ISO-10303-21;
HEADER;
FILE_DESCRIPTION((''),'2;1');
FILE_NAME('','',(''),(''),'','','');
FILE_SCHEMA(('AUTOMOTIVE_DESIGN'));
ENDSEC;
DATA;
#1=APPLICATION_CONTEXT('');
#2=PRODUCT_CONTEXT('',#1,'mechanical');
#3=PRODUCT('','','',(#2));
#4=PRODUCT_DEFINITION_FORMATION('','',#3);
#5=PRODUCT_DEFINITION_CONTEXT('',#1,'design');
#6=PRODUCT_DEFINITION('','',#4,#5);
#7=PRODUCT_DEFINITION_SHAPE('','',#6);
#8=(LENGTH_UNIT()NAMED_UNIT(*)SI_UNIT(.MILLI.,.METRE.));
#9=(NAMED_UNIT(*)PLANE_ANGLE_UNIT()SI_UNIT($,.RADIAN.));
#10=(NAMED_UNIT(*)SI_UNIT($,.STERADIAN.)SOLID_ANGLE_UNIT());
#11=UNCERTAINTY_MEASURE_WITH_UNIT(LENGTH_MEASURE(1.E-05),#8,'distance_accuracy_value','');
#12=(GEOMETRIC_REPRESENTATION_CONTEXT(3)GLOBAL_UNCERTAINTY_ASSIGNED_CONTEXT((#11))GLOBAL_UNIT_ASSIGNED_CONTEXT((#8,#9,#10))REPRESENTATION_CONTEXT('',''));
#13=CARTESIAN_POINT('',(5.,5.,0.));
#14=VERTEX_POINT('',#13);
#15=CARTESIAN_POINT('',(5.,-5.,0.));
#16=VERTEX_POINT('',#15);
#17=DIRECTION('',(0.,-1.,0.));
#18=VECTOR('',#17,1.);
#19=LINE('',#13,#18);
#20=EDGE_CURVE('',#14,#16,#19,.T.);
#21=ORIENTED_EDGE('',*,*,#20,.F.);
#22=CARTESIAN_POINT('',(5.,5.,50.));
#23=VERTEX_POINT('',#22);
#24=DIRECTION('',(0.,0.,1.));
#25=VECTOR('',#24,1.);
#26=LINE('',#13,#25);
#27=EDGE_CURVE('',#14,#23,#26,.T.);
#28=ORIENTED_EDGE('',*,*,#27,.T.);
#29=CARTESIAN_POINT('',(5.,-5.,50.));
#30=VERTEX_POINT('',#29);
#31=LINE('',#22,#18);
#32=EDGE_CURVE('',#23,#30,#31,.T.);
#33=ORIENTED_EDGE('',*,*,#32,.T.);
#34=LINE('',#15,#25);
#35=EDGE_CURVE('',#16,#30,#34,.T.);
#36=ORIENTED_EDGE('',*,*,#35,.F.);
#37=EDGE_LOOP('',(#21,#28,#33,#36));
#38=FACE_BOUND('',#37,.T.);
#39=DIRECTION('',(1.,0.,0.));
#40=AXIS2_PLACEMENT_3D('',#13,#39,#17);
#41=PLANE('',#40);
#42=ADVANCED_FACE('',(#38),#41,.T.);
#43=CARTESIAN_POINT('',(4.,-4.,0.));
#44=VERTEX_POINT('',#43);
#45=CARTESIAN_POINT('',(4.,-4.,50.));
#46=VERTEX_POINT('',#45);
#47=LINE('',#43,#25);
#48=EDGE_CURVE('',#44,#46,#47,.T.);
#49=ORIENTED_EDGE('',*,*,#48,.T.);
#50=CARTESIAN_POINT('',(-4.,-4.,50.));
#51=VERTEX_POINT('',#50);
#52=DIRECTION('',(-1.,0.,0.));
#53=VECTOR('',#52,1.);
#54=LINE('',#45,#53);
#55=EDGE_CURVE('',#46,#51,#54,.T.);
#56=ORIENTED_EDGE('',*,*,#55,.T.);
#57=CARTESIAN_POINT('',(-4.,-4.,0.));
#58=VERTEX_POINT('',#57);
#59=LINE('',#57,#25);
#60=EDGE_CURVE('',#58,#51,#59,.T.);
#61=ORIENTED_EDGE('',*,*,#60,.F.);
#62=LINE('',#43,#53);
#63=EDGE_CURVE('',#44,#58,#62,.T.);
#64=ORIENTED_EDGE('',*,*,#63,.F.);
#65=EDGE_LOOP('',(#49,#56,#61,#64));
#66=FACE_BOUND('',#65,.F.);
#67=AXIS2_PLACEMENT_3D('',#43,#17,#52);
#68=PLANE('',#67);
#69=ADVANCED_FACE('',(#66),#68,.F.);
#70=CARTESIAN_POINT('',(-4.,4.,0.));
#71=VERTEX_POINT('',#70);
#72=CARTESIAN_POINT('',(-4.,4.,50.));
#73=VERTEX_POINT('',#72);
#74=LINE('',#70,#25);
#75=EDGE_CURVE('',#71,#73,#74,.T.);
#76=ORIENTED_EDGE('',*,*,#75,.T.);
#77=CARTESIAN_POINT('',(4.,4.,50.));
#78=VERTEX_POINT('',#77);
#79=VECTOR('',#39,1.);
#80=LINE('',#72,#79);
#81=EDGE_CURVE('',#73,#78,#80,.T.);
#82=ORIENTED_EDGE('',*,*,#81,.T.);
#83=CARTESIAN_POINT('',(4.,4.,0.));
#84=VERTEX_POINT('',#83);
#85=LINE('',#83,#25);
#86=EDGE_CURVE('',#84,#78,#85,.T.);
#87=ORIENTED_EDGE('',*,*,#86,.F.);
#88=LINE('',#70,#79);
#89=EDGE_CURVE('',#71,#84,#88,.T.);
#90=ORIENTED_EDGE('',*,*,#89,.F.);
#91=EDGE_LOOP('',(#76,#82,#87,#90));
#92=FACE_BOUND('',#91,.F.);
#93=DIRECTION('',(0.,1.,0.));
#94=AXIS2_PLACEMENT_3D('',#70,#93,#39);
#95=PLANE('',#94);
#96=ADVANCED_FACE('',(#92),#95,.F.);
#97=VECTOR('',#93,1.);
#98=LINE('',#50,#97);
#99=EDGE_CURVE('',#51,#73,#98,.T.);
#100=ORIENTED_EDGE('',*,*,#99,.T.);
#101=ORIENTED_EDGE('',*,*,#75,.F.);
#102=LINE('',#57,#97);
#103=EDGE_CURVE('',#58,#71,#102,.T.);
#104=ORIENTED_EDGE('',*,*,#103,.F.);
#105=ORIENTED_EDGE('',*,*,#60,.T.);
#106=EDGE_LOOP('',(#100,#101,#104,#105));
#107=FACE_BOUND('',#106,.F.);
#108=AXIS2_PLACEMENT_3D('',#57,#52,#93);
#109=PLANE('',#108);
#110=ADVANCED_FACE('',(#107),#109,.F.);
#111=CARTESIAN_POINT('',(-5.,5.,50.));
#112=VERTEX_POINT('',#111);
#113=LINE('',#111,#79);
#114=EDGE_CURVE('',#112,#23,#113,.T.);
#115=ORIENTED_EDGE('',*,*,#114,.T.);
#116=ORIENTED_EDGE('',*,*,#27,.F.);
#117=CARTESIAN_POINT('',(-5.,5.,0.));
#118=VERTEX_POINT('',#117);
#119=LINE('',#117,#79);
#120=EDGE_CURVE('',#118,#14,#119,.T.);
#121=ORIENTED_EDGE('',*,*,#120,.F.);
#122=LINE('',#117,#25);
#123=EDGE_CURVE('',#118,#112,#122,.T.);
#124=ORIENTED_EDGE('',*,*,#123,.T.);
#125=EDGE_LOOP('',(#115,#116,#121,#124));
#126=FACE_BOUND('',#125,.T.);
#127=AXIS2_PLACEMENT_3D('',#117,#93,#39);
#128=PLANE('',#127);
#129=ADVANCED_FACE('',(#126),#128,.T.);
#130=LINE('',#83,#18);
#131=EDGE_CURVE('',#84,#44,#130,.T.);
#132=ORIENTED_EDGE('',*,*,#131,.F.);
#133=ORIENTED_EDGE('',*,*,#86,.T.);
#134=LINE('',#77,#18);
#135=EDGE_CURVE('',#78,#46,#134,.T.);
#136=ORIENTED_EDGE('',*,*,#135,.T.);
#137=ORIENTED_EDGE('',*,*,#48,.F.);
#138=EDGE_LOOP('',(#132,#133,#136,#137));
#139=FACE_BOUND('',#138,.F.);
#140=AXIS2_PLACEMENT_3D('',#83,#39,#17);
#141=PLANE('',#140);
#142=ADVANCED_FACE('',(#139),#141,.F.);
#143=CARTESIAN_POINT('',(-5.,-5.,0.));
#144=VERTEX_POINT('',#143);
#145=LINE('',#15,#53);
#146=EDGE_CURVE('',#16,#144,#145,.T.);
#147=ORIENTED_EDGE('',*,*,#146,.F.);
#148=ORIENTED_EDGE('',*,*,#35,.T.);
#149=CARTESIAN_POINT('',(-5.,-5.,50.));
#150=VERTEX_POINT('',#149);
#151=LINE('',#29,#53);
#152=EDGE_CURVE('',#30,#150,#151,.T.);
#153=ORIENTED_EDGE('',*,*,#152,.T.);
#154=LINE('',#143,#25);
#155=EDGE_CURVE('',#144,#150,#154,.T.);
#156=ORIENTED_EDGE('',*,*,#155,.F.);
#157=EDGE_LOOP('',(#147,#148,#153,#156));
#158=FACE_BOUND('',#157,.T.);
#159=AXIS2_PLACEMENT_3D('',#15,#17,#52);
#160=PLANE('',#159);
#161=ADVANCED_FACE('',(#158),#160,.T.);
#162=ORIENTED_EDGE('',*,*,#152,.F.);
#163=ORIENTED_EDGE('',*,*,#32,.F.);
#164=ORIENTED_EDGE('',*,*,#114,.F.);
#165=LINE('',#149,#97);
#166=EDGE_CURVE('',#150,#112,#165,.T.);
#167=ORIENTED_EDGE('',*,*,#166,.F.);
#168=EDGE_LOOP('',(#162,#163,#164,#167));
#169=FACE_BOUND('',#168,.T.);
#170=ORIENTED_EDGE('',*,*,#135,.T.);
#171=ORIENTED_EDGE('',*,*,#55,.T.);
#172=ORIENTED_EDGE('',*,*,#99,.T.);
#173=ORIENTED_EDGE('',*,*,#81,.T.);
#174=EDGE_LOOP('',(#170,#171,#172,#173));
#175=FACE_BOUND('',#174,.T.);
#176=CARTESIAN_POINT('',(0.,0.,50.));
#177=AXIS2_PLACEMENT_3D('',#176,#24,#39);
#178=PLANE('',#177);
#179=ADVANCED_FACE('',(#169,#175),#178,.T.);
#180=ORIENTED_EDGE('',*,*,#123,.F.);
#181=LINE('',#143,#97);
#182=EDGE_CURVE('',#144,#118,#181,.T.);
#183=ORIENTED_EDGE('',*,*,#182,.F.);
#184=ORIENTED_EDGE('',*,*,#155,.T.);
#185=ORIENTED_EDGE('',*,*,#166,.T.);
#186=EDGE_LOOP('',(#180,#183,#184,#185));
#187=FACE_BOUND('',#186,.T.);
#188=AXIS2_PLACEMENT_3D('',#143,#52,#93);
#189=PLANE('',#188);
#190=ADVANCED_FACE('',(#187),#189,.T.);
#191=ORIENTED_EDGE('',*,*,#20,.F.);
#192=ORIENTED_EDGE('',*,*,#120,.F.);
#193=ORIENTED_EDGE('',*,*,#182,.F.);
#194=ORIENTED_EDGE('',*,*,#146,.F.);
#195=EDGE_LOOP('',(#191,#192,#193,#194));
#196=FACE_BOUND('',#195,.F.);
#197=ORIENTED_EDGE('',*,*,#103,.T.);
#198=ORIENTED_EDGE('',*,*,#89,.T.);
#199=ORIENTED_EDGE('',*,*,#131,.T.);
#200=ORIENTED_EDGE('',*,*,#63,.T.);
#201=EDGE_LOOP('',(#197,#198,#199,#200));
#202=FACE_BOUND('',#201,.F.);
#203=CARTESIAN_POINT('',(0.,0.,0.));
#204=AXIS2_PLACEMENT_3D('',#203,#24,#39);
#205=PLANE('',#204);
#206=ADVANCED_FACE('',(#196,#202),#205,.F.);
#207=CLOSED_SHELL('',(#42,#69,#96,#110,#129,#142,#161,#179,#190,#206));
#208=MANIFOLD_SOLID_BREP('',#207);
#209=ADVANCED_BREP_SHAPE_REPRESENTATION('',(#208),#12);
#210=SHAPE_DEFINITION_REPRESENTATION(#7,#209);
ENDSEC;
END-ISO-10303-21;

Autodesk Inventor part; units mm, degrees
ref_plane "YZ Plane" through (0, 0, 0) normal (1, 0, 0) x (0, 1, 0)
ref_plane "XZ Plane" through (0, 0, 0) normal (0, 1, 0) x (-1, 0, 0)
ref_plane "XY Plane" through (0, 0, 0) normal (0, 0, 1) x (1, 0, 0)
sketch "スケッチ1" plane through (0, 0, 0) normal (0, 0, 1) x (1, 0, 0)
  line L0 (-5, 5) -> (5, 5)
  line L1 (5, 5) -> (5, -5)
  line L2 (5, -5) -> (-5, -5)
  line L3 (-5, -5) -> (-5, 5)
  line L4 (-5, 5) -> (5, -5) construction
  line L5 (5, 5) -> (-5, -5) construction
  line L6 (-4, 4) -> (4, 4)
  line L7 (4, 4) -> (4, -4)
  line L8 (4, -4) -> (-4, -4)
  line L9 (-4, -4) -> (-4, 4)
  line L10 (-4, 4) -> (4, -4) construction
  line L11 (4, 4) -> (-4, -4) construction
  point P0 (0, 0)
  dimension "d0" = 10
  dimension "d1" = 10
  dimension "d2" = 8
extrude "押し出し1" add sketch "スケッチ1" along normal blind 50
properties part number "position_setter_bar_long" material "アルミニウム 6061"
